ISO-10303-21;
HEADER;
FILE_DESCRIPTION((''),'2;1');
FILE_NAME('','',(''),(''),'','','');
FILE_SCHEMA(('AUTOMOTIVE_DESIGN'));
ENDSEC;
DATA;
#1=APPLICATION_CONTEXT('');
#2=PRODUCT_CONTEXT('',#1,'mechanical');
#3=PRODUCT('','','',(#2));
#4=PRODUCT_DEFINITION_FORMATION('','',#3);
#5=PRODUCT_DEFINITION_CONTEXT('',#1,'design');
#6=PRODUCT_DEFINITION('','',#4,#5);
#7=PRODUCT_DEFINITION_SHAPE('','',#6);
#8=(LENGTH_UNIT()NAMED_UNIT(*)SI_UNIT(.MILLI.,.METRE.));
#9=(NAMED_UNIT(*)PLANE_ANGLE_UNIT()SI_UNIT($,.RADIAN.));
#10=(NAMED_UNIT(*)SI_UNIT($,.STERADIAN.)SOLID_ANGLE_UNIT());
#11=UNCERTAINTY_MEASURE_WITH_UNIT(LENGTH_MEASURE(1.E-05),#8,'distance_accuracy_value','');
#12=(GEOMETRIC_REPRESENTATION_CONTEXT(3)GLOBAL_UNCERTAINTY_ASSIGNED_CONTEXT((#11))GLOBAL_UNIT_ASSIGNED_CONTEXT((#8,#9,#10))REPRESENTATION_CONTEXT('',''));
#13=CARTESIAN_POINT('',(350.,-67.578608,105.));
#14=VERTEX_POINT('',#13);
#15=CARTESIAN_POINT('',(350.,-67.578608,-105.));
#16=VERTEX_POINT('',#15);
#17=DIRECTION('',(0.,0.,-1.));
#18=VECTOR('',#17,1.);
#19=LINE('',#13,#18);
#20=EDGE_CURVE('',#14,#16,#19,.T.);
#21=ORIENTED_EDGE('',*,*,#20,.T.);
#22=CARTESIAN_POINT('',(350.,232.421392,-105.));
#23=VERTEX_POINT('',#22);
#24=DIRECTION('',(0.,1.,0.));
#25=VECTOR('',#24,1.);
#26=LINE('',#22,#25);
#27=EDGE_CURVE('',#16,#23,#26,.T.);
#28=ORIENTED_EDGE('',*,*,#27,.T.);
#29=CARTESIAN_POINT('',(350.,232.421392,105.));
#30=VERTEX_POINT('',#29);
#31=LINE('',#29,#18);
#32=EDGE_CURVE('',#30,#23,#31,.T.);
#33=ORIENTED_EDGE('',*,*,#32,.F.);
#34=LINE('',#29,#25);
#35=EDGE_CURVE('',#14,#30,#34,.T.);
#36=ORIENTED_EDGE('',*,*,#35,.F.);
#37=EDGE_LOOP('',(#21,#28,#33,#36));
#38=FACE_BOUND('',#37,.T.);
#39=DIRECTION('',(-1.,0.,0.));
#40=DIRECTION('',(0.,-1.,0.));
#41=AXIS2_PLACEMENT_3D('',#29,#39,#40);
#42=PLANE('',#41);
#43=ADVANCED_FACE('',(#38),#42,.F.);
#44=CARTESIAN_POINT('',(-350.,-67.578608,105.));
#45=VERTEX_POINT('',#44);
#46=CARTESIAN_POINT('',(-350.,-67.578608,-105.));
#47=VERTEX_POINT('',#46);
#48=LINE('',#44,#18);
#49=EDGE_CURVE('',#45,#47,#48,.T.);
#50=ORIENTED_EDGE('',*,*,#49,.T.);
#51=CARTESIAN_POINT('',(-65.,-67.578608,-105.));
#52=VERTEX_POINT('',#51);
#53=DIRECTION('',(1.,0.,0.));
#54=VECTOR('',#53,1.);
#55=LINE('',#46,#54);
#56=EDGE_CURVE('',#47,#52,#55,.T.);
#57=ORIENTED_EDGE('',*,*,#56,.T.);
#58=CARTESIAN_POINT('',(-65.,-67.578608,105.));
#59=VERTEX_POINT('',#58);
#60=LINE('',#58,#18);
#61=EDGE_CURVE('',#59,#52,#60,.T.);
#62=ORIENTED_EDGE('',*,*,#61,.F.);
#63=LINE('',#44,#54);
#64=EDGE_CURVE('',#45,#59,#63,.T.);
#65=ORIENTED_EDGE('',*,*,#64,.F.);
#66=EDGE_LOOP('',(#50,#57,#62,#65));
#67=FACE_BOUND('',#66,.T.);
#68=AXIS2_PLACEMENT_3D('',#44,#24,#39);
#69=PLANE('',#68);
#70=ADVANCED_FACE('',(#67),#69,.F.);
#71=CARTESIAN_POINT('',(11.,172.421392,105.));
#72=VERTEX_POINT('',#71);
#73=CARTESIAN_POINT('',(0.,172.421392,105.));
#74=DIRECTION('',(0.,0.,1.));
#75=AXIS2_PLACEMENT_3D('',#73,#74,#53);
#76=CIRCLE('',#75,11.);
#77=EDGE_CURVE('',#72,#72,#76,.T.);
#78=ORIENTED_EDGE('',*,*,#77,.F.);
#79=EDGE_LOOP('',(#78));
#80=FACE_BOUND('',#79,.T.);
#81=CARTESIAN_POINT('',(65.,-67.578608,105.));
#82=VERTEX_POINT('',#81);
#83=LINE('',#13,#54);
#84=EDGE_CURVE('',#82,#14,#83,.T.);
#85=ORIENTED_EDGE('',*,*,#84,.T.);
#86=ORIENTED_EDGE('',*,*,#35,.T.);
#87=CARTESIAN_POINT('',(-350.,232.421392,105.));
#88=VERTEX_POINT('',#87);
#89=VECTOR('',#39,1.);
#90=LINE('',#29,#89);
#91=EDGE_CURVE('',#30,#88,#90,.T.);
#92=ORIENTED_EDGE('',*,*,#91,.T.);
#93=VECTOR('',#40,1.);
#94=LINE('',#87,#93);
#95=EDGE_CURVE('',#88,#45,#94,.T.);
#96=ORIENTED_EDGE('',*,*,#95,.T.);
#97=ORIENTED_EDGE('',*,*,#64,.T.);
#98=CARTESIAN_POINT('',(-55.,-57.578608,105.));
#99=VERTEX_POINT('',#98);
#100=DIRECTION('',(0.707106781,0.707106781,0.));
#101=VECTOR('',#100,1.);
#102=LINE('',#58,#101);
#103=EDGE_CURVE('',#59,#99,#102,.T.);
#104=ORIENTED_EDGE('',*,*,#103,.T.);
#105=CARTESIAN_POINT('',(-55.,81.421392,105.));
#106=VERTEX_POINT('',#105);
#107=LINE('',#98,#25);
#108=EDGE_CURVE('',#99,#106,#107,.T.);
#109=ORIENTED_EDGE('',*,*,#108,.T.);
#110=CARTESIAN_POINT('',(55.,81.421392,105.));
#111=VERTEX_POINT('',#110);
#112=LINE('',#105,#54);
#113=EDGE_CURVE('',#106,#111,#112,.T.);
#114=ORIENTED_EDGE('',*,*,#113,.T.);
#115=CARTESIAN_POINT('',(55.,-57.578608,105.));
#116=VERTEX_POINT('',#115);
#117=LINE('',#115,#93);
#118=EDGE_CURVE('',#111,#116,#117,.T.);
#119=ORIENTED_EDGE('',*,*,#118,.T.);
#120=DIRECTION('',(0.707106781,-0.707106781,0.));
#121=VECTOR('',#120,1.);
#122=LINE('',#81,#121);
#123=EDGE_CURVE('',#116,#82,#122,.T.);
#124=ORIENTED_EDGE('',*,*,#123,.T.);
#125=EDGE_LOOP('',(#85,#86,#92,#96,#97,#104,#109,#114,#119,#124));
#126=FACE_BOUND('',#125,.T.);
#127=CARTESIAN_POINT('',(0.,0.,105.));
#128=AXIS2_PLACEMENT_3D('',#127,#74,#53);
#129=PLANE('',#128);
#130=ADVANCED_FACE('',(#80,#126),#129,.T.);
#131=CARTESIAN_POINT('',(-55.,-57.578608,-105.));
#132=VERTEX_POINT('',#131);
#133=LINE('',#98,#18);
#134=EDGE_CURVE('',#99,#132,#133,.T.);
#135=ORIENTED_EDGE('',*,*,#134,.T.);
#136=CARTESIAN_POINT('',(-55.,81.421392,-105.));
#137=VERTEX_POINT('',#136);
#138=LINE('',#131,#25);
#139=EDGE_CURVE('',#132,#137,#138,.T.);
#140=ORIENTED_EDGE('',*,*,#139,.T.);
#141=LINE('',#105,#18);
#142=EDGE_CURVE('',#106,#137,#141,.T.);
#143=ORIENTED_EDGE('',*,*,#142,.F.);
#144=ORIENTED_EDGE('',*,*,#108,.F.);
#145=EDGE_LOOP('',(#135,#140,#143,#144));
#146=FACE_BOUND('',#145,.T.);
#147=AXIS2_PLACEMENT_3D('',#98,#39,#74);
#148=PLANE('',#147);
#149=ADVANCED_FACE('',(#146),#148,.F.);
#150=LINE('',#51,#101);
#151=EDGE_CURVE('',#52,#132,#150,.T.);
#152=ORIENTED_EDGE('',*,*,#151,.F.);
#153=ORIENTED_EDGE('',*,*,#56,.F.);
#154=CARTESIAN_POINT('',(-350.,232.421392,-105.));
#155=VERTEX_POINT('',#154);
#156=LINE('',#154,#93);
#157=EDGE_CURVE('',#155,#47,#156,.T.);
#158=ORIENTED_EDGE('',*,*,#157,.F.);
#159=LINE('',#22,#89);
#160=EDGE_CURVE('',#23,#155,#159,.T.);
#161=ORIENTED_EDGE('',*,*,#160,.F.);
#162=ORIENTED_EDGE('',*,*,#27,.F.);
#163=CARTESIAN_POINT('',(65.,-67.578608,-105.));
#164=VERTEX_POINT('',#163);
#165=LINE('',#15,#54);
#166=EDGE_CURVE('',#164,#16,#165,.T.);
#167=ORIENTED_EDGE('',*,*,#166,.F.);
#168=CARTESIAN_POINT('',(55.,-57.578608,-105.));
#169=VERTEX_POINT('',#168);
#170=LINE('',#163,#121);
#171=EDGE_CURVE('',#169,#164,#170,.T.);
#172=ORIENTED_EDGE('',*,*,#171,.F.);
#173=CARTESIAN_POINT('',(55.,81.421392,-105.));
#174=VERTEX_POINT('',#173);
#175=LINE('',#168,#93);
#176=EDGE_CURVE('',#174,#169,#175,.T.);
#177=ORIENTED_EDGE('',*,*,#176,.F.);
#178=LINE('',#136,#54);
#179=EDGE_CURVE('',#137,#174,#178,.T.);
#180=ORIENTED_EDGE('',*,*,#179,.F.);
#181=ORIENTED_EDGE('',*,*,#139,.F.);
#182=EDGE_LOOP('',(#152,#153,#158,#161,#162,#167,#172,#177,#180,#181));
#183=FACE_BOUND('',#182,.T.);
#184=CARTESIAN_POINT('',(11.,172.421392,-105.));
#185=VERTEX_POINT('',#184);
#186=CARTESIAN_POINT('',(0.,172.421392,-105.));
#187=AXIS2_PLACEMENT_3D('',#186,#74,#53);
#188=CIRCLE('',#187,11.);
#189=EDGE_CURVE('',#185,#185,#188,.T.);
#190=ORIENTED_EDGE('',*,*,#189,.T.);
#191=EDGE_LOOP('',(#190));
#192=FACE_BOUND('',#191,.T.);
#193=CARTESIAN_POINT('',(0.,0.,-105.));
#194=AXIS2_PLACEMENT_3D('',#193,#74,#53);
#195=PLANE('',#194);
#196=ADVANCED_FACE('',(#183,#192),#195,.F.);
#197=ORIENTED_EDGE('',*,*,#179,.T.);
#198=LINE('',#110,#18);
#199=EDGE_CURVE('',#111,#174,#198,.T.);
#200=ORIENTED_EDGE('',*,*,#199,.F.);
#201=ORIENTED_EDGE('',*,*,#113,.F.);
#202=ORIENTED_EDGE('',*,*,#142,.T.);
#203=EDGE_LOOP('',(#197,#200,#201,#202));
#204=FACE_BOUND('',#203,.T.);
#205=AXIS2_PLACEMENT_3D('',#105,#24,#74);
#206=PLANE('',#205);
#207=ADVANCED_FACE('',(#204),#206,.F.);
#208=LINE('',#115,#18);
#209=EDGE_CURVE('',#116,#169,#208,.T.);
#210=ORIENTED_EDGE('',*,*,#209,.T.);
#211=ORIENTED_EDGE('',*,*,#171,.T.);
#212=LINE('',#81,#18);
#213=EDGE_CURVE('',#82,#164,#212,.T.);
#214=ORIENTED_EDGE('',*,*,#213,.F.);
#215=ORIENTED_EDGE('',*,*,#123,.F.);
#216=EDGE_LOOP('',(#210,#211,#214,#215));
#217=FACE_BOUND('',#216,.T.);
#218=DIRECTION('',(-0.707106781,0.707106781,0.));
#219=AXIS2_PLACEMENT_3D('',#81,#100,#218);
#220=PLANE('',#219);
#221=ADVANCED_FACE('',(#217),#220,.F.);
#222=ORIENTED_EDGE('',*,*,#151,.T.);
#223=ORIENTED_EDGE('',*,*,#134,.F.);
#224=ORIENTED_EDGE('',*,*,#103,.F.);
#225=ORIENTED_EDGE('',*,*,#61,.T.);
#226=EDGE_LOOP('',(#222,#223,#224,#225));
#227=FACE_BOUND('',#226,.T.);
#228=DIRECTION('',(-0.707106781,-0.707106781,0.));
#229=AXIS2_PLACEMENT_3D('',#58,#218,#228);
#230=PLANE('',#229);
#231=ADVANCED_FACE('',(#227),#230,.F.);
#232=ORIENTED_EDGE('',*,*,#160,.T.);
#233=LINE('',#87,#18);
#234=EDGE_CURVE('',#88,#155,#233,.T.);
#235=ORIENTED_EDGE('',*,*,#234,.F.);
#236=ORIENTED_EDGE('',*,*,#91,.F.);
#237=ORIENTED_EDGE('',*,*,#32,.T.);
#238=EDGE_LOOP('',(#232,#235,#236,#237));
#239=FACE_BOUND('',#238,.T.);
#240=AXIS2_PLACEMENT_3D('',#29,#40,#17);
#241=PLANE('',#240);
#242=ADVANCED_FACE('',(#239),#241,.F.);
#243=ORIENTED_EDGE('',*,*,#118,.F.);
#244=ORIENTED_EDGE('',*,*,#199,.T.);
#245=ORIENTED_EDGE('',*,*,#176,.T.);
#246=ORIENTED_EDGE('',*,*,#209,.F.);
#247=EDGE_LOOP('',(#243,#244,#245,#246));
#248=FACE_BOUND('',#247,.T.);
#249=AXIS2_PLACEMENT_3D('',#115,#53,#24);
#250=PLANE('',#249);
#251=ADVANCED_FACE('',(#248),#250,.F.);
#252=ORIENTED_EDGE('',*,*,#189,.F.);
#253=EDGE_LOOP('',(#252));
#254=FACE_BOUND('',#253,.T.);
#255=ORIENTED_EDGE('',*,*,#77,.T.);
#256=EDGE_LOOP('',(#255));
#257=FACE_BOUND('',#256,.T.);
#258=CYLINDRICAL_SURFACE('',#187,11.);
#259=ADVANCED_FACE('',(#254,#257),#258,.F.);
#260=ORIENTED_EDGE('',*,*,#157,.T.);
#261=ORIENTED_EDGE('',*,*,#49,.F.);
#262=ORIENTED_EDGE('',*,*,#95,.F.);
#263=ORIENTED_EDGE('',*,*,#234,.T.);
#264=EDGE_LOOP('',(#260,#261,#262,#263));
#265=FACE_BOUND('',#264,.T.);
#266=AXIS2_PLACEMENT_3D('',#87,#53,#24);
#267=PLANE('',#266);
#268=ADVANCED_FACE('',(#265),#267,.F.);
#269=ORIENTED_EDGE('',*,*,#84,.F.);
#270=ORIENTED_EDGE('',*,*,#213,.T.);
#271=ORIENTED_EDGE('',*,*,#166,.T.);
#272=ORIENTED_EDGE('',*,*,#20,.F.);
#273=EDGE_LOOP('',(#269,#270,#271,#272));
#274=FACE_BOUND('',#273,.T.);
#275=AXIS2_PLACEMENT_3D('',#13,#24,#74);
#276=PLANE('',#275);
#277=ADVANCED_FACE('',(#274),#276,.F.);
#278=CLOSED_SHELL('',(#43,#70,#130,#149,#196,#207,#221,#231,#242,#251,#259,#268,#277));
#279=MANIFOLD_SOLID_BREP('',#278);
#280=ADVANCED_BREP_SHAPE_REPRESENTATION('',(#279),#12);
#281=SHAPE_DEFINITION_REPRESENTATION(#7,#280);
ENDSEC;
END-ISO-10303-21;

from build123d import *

# Parameters (mm, degrees)
BOSS_EXTRUDE1_DEPTH     = 105
SKETCH2_R               = 11
CUT_EXTRUDE1_DEPTH      = 106
CUT_EXTRUDE1_DEPTH_BACK = 106


with BuildPart() as part:
    # Sketch1 → Boss-Extrude1 (new body, symmetric)
    with BuildSketch(Plane.XY):
        Polygon((350, 232.421392473), (-350, 232.421392473), (-350, -67.578607527), (-65, -67.578607527), (-55, -57.578607527), (-55, 81.421392473), (55, 81.421392473), (55, -57.578607527), (65, -67.578607527), (350, -67.578607527), align=None)
    extrude(amount=BOSS_EXTRUDE1_DEPTH, both=True)

    # Sketch2 → Cut-Extrude1 (cut, two sides)
    with BuildSketch(Plane.XY) as cut_extrude1_sk:
        with Locations((0, 172.421392473)):
            Circle(SKETCH2_R)
    extrude(amount=CUT_EXTRUDE1_DEPTH, mode=Mode.SUBTRACT)
    extrude(cut_extrude1_sk.sketch, amount=-CUT_EXTRUDE1_DEPTH_BACK, mode=Mode.SUBTRACT)


solid = part.part
